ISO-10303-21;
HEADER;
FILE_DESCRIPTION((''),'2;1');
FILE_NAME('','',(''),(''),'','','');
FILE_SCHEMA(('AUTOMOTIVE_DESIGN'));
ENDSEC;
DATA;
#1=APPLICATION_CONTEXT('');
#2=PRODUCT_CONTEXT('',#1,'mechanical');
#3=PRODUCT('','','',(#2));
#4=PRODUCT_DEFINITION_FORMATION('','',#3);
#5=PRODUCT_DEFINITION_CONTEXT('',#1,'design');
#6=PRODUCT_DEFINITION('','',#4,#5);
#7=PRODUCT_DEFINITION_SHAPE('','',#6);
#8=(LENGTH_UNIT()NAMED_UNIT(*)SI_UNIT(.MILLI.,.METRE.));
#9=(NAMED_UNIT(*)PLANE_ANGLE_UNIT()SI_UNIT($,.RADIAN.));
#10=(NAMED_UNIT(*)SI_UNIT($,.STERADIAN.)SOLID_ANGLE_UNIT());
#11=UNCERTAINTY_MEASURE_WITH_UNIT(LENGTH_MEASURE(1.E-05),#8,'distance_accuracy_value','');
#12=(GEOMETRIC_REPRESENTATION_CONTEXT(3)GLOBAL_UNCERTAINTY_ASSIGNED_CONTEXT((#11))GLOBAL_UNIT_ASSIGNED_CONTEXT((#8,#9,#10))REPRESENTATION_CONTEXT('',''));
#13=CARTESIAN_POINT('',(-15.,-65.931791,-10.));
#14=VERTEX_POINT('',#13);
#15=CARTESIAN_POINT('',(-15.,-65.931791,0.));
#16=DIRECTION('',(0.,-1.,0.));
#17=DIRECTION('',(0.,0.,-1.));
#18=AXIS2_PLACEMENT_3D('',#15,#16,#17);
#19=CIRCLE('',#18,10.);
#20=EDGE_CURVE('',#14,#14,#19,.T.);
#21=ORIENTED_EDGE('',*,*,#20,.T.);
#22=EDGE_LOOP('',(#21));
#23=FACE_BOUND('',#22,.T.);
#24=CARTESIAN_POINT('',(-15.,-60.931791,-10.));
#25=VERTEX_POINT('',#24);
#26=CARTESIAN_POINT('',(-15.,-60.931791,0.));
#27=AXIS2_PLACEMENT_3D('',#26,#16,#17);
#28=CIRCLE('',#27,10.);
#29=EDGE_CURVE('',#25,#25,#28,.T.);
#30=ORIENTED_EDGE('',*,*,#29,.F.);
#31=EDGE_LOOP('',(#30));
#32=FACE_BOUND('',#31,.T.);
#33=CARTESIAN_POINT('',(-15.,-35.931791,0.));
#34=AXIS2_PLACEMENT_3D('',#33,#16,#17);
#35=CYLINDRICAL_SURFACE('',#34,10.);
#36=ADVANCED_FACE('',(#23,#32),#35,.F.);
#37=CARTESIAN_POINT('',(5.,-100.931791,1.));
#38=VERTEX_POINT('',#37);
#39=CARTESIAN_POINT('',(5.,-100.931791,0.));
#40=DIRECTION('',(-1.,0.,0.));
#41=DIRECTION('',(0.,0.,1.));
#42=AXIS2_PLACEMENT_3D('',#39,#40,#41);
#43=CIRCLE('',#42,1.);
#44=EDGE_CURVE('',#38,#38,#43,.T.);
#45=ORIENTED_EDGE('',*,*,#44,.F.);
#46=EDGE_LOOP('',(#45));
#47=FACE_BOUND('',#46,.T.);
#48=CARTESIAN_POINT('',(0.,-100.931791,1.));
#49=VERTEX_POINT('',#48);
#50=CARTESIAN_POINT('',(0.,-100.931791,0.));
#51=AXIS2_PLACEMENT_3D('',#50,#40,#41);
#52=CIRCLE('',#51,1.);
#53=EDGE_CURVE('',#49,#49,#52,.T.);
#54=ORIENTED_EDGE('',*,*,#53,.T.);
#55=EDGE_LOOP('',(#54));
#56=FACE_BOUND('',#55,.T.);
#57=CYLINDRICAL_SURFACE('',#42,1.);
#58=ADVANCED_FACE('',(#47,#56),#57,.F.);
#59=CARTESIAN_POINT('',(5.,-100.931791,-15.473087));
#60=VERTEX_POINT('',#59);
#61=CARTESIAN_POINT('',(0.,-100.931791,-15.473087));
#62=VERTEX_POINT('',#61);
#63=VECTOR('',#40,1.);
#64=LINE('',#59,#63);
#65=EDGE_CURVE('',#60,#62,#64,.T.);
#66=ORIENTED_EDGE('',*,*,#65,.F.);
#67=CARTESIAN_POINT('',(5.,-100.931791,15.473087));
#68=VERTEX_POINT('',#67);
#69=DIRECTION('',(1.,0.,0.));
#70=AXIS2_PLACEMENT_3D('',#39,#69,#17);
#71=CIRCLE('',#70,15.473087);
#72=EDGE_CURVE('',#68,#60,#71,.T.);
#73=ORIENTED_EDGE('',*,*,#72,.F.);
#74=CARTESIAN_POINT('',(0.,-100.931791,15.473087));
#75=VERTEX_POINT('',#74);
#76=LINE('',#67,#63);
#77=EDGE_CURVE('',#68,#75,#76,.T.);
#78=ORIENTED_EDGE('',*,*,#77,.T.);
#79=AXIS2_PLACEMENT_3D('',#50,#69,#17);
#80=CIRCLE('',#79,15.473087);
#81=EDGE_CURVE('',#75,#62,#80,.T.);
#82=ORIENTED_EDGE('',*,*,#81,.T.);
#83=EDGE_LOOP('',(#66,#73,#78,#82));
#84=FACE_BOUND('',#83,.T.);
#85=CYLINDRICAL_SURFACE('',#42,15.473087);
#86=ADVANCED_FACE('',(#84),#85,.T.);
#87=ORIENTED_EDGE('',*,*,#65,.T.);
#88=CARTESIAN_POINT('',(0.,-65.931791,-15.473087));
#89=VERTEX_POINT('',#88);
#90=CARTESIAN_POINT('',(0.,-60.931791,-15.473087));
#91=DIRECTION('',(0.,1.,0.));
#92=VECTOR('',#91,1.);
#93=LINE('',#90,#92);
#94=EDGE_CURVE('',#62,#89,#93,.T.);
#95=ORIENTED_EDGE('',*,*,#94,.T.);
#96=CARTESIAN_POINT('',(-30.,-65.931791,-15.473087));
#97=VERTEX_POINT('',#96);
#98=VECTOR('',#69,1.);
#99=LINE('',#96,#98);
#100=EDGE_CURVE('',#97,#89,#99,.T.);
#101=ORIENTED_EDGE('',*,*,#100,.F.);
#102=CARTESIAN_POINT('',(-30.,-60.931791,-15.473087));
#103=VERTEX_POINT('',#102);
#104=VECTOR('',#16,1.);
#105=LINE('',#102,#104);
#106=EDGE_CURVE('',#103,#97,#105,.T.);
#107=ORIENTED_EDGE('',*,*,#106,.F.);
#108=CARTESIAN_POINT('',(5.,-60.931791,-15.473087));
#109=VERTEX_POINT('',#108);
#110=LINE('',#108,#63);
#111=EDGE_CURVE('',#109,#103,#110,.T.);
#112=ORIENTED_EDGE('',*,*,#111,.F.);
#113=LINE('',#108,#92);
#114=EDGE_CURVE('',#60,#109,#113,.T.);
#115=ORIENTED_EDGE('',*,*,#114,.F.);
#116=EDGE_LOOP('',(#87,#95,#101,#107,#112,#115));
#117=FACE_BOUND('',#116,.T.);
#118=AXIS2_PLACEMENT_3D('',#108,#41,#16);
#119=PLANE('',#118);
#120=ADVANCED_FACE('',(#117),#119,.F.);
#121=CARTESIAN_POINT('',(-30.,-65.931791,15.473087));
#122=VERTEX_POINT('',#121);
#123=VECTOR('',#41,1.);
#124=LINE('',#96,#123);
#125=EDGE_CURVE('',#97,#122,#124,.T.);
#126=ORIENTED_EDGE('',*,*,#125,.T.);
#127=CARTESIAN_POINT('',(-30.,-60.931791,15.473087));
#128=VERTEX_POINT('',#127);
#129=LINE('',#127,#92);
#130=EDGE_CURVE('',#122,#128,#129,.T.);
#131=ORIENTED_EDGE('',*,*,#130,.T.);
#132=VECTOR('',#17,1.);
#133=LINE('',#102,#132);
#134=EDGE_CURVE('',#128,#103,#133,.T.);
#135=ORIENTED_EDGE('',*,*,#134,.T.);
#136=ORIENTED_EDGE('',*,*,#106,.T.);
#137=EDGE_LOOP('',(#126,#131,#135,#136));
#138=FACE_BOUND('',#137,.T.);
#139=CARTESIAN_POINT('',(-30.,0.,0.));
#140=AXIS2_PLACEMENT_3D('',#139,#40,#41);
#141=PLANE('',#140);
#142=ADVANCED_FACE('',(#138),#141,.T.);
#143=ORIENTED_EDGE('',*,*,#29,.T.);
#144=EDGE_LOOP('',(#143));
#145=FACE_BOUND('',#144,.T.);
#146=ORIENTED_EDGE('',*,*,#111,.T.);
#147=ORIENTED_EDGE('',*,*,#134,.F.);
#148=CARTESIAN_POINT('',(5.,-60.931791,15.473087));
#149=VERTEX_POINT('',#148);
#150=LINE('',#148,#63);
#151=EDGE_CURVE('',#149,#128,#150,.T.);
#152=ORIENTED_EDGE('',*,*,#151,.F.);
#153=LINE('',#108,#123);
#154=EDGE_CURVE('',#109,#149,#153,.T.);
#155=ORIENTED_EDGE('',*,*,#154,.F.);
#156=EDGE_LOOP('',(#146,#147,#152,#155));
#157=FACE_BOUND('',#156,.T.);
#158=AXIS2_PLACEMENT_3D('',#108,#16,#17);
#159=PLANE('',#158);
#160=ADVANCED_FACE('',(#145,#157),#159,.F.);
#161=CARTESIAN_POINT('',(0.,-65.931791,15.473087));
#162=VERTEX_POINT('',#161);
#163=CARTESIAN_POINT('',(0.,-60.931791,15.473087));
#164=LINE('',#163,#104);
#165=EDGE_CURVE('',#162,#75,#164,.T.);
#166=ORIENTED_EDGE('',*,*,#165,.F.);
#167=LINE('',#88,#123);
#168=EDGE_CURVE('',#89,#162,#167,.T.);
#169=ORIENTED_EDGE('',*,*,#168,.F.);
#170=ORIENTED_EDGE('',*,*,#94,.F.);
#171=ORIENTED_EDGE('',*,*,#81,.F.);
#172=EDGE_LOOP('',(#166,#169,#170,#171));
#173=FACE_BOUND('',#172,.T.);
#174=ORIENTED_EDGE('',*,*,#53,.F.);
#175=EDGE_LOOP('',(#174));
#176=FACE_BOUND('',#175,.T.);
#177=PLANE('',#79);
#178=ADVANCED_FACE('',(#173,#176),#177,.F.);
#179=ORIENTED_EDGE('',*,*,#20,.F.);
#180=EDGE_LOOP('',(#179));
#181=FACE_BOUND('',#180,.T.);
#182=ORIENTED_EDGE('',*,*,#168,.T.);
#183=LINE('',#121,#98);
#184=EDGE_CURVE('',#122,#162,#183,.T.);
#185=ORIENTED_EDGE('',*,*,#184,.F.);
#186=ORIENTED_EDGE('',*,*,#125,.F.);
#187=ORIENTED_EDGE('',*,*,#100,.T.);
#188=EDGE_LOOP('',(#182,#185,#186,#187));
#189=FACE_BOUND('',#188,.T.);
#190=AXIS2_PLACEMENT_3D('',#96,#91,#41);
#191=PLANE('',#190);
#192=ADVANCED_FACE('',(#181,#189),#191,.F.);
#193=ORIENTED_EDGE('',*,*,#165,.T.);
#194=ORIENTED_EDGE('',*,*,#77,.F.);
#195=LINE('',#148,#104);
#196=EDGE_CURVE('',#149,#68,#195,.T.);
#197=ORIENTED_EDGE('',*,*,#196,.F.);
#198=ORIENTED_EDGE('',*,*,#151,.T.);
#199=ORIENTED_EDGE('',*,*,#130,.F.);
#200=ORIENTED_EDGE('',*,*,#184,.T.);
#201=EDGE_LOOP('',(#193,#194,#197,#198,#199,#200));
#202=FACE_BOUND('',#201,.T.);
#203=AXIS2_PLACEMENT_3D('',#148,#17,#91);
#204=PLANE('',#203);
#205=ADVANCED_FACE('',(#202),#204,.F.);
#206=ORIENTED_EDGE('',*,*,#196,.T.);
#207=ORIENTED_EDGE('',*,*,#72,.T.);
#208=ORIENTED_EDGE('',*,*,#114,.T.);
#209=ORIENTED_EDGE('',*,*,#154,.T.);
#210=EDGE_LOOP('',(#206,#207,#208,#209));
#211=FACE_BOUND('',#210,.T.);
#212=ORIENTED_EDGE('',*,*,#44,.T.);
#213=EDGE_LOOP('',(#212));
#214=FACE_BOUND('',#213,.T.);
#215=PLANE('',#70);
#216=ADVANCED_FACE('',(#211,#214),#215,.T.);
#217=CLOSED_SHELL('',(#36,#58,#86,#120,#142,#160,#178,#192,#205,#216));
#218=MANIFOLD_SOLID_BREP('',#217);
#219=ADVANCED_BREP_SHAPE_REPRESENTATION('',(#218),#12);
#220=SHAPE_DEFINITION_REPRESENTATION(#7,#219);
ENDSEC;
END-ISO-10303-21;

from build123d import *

# Parameters (mm, degrees)
BOSS_EXTRUDE2_DEPTH = 5
SKETCH5_R           = 1
CUT_EXTRUDE2_DEPTH  = 5
SKETCH6_W           = 30.946174702
SKETCH6_H           = 5
BOSS_EXTRUDE3_DEPTH = 30
SKETCH10_R          = 10
CUT_EXTRUDE3_DEPTH  = 30


with BuildPart() as part:
    # Sketch3 → Boss-Extrude2 (new body)
    with BuildSketch(Plane(origin=(0, 0, 0), x_dir=(0, 0, -1), z_dir=(1, 0, 0))):
        with BuildLine():
            Line((15.473087351, -60.931791337), (-15.473087351, -60.931791337))
            Line((-15.473087351, -60.931791337), (-15.473087351, -100.931791337))
            ThreePointArc((-15.473087351, -100.931791337), (0, -116.404878688), (15.473087351, -100.931791337))
            Line((15.473087351, -100.931791337), (15.473087351, -60.931791337))
        make_face()
    extrude(amount=BOSS_EXTRUDE2_DEPTH)

    # Sketch5 → Cut-Extrude2 (cut)
    with BuildSketch(Plane.ZY):
        with Locations((0, -100.931791337)):
            Circle(SKETCH5_R)
    extrude(amount=-CUT_EXTRUDE2_DEPTH, mode=Mode.SUBTRACT)

    # Sketch6 → Boss-Extrude3 (add)
    with BuildSketch(Plane.ZY):
        with Locations((0, -63.431791337)):
            Rectangle(SKETCH6_W, SKETCH6_H)
    extrude(amount=BOSS_EXTRUDE3_DEPTH)

    # Sketch10 → Cut-Extrude3 (cut)
    with BuildSketch(Plane.XZ.offset(65.931791337)):
        with Locations(Location((-15, 0, 0), (0, 0, 270))):
            Circle(SKETCH10_R)
    extrude(amount=-CUT_EXTRUDE3_DEPTH, mode=Mode.SUBTRACT)


solid = part.part
